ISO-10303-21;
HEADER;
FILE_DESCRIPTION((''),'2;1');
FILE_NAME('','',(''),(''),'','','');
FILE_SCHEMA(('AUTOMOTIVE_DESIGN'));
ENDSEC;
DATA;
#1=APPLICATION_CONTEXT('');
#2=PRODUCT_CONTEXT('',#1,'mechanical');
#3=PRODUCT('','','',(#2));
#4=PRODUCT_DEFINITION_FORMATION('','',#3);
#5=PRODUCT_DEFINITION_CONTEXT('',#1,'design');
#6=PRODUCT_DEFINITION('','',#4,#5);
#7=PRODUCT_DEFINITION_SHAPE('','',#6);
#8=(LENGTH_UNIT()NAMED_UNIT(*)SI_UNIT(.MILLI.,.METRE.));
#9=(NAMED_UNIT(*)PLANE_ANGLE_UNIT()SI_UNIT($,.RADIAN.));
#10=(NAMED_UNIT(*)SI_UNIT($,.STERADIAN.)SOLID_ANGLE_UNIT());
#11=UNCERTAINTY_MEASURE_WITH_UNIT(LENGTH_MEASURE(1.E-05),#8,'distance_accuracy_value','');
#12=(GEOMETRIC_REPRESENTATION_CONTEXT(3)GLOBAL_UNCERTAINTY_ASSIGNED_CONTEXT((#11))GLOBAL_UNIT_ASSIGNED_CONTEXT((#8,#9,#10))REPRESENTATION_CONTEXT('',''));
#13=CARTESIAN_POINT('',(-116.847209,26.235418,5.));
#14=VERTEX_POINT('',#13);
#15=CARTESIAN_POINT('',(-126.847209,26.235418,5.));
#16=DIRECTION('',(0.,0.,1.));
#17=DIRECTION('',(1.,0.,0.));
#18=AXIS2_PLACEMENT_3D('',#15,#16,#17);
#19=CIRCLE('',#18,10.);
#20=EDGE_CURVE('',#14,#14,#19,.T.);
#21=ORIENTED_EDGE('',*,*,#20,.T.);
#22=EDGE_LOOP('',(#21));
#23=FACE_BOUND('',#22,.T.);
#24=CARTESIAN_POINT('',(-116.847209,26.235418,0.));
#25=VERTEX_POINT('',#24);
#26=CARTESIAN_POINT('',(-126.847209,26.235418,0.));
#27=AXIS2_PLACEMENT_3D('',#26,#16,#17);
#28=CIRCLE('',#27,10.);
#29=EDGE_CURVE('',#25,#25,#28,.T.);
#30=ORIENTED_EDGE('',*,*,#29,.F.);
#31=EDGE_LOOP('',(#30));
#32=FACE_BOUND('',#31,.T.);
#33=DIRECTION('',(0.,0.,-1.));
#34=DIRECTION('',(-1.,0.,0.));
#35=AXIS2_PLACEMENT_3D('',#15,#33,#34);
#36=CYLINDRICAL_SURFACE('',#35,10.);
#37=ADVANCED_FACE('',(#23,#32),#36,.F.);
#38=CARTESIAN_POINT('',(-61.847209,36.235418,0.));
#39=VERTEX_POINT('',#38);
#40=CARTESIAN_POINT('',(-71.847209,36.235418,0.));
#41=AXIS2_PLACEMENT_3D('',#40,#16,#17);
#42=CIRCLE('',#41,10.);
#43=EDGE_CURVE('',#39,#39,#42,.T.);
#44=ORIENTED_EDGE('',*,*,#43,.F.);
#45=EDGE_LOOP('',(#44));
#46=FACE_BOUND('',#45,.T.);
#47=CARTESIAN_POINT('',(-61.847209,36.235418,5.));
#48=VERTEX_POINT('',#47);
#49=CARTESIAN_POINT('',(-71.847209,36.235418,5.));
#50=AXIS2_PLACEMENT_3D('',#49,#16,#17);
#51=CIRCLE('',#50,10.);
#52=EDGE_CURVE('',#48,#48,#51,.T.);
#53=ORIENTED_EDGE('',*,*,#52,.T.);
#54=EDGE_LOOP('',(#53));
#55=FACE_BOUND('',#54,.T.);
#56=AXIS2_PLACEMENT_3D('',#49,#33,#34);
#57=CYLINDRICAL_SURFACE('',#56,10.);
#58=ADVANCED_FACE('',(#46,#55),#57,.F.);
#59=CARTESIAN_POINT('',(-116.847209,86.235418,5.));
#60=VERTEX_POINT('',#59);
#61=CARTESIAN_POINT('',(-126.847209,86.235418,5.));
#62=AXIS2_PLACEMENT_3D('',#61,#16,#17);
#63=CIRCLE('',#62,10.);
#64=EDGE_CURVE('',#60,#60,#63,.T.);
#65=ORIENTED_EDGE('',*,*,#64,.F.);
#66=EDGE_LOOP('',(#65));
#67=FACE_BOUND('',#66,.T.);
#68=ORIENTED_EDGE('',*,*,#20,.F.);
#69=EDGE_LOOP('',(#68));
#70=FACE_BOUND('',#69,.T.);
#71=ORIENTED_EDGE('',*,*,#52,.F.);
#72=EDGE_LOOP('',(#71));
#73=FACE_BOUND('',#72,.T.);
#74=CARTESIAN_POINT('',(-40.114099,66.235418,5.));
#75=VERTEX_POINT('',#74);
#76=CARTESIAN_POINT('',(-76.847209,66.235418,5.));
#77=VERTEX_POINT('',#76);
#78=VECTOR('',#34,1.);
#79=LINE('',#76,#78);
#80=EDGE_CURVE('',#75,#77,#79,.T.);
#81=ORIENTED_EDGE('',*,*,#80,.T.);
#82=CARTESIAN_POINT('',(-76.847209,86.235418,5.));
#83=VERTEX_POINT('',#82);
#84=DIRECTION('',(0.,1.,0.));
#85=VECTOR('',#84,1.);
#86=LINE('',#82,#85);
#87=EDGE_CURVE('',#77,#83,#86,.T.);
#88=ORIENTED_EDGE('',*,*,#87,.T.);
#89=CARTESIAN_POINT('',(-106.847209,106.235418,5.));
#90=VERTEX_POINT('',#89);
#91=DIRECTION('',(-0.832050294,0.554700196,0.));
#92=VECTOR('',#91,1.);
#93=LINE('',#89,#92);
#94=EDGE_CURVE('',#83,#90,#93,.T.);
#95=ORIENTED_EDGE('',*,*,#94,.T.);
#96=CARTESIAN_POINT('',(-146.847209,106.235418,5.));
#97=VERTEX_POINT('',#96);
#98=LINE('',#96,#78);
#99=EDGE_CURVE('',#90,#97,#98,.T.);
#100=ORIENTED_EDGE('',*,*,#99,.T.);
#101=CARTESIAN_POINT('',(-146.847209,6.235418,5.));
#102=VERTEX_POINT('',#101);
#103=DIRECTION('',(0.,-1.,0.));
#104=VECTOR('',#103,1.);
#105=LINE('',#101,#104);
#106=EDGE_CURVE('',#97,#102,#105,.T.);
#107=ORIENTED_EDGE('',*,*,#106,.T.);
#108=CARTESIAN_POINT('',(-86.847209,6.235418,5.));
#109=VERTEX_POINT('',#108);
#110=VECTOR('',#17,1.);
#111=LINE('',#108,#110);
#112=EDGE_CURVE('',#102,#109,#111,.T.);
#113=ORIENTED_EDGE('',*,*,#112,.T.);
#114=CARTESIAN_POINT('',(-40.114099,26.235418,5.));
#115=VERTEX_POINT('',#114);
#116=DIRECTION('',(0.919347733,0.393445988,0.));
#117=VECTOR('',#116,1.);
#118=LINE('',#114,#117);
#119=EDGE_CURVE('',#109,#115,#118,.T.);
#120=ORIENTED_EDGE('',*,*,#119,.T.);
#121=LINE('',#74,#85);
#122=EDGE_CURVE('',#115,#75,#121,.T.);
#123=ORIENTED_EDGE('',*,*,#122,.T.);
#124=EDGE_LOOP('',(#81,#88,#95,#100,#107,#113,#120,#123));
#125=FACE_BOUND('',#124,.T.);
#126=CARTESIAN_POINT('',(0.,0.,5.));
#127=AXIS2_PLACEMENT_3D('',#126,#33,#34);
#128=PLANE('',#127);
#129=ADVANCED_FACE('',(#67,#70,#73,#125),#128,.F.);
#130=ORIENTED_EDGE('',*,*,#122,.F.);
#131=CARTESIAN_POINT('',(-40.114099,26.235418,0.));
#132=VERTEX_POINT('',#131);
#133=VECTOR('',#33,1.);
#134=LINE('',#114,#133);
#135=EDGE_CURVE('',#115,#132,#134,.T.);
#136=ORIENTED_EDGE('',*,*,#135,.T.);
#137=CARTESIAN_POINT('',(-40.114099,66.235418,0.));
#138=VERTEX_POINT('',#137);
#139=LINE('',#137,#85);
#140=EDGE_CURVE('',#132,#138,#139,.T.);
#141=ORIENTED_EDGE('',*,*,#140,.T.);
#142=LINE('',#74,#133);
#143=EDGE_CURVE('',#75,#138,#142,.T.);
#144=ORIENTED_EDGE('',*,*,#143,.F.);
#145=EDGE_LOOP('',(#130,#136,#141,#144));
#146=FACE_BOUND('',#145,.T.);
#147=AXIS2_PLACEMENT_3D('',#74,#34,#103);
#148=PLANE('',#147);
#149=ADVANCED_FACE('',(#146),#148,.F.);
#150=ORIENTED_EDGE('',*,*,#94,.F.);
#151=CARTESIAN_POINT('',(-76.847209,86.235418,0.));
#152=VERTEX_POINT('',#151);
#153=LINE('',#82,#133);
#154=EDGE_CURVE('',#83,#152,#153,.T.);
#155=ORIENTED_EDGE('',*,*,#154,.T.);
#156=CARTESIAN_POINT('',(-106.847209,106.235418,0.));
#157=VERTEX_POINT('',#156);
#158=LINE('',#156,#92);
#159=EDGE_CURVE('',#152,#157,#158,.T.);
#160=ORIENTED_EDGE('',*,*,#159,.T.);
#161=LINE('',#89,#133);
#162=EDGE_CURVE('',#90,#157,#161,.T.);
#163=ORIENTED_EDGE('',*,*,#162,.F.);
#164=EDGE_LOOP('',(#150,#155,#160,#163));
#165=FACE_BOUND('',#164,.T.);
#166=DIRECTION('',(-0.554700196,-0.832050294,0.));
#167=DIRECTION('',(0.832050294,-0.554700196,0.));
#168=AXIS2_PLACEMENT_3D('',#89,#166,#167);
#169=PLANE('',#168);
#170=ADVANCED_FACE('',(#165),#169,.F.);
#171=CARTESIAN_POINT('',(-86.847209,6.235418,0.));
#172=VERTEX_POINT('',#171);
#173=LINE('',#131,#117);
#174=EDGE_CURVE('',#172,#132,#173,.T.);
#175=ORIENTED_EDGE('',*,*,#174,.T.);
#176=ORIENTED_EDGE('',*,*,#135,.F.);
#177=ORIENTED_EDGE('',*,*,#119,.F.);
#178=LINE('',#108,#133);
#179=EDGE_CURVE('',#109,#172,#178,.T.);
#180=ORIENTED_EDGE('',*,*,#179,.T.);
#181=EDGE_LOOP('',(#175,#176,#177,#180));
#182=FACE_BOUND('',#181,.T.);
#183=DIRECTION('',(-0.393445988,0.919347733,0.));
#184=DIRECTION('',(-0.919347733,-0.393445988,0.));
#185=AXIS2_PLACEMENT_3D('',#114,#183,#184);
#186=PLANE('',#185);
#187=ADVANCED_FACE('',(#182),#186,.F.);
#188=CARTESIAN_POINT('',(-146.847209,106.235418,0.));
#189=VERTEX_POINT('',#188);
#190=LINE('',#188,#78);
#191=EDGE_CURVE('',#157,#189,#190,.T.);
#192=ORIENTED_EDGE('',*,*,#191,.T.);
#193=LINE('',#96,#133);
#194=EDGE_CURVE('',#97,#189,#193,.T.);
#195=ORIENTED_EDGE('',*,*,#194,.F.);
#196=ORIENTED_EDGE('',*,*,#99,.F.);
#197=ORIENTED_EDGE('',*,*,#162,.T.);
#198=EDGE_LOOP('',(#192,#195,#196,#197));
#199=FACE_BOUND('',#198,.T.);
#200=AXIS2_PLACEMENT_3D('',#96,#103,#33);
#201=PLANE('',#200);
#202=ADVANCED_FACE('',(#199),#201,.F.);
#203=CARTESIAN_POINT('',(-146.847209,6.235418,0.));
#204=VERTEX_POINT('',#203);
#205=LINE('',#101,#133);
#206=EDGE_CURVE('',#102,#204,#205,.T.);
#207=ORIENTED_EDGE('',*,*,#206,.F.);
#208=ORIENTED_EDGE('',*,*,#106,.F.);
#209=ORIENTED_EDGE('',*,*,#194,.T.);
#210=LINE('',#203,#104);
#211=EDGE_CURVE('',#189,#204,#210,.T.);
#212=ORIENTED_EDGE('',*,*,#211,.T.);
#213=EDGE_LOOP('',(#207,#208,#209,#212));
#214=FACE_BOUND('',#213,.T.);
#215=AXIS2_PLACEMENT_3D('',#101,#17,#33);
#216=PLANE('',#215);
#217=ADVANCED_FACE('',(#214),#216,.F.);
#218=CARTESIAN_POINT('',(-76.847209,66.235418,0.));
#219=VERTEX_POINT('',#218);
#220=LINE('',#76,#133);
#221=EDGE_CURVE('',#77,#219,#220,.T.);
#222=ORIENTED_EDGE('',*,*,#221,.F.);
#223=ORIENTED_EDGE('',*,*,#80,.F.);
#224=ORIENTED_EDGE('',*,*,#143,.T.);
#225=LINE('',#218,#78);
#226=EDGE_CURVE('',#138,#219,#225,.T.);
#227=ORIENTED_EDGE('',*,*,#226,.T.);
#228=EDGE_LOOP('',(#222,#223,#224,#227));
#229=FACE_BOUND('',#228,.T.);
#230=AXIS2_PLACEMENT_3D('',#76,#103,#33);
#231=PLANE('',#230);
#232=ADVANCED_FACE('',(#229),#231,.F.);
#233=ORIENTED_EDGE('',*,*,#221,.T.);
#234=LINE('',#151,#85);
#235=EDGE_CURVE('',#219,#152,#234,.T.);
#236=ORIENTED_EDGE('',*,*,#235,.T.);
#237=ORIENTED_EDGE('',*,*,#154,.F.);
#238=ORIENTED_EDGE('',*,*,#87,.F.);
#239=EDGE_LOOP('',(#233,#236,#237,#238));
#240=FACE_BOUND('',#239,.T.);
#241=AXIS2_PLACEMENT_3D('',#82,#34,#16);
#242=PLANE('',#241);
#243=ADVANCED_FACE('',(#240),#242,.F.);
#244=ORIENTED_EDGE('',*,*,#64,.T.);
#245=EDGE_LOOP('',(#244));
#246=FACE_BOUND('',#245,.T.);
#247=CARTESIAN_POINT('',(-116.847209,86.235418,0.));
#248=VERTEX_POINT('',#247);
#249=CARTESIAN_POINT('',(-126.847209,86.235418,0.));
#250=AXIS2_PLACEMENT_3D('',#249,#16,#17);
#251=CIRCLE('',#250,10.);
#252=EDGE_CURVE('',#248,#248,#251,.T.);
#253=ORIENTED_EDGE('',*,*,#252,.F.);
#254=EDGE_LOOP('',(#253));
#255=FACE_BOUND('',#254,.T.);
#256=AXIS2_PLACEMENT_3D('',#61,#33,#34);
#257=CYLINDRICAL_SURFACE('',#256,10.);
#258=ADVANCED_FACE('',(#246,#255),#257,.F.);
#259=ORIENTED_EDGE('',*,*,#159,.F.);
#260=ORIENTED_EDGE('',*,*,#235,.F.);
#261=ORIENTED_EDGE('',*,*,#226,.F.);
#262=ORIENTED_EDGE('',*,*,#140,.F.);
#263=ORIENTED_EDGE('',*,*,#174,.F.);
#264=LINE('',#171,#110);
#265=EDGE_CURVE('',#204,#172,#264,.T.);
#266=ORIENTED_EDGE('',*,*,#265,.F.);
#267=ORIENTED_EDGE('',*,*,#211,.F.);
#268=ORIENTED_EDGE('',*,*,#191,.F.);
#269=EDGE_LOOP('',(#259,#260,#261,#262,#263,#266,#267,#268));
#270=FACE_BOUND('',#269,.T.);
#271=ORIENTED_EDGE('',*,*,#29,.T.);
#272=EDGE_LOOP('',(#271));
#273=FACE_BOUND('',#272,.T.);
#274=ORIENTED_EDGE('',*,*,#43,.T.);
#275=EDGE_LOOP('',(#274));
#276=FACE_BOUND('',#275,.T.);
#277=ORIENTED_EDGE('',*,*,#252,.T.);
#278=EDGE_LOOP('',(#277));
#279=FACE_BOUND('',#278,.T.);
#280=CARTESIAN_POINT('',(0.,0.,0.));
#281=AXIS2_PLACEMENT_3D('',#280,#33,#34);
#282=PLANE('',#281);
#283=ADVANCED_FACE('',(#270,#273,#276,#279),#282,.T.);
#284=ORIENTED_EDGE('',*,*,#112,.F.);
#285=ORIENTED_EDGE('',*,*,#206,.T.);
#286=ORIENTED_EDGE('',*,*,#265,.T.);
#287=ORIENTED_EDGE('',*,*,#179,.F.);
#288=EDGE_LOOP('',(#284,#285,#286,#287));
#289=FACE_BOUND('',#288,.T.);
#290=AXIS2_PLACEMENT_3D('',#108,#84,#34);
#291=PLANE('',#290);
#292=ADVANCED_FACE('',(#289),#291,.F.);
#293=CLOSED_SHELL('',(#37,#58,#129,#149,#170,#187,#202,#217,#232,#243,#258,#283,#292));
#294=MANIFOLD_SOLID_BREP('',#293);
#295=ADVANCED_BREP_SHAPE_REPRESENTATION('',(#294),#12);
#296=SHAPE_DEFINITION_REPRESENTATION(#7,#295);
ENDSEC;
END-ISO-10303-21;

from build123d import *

# Parameters (mm, degrees)
SKETCH2_R           = 10
BOSS_EXTRUDE1_DEPTH = 5


with BuildPart() as part:
    # Sketch2 → Boss-Extrude1 (new body)
    with BuildSketch(Plane.XY):
        Polygon((-146.847208951, 106.235417928), (-106.847208951, 106.235417928), (-76.847208951, 86.235417928), (-76.847208951, 66.235417928), (-40.114098915, 66.235417928), (-40.114098915, 26.235417928), (-86.847208951, 6.235417928), (-146.847208951, 6.235417928), align=None)
        with Locations((-126.847208951, 86.235417928)):
            Circle(SKETCH2_R, mode=Mode.SUBTRACT)
        with Locations((-126.847208951, 26.235417928)):
            Circle(SKETCH2_R, mode=Mode.SUBTRACT)
        with Locations((-71.847208951, 36.235417928)):
            Circle(SKETCH2_R, mode=Mode.SUBTRACT)
    extrude(amount=BOSS_EXTRUDE1_DEPTH)


solid = part.part
